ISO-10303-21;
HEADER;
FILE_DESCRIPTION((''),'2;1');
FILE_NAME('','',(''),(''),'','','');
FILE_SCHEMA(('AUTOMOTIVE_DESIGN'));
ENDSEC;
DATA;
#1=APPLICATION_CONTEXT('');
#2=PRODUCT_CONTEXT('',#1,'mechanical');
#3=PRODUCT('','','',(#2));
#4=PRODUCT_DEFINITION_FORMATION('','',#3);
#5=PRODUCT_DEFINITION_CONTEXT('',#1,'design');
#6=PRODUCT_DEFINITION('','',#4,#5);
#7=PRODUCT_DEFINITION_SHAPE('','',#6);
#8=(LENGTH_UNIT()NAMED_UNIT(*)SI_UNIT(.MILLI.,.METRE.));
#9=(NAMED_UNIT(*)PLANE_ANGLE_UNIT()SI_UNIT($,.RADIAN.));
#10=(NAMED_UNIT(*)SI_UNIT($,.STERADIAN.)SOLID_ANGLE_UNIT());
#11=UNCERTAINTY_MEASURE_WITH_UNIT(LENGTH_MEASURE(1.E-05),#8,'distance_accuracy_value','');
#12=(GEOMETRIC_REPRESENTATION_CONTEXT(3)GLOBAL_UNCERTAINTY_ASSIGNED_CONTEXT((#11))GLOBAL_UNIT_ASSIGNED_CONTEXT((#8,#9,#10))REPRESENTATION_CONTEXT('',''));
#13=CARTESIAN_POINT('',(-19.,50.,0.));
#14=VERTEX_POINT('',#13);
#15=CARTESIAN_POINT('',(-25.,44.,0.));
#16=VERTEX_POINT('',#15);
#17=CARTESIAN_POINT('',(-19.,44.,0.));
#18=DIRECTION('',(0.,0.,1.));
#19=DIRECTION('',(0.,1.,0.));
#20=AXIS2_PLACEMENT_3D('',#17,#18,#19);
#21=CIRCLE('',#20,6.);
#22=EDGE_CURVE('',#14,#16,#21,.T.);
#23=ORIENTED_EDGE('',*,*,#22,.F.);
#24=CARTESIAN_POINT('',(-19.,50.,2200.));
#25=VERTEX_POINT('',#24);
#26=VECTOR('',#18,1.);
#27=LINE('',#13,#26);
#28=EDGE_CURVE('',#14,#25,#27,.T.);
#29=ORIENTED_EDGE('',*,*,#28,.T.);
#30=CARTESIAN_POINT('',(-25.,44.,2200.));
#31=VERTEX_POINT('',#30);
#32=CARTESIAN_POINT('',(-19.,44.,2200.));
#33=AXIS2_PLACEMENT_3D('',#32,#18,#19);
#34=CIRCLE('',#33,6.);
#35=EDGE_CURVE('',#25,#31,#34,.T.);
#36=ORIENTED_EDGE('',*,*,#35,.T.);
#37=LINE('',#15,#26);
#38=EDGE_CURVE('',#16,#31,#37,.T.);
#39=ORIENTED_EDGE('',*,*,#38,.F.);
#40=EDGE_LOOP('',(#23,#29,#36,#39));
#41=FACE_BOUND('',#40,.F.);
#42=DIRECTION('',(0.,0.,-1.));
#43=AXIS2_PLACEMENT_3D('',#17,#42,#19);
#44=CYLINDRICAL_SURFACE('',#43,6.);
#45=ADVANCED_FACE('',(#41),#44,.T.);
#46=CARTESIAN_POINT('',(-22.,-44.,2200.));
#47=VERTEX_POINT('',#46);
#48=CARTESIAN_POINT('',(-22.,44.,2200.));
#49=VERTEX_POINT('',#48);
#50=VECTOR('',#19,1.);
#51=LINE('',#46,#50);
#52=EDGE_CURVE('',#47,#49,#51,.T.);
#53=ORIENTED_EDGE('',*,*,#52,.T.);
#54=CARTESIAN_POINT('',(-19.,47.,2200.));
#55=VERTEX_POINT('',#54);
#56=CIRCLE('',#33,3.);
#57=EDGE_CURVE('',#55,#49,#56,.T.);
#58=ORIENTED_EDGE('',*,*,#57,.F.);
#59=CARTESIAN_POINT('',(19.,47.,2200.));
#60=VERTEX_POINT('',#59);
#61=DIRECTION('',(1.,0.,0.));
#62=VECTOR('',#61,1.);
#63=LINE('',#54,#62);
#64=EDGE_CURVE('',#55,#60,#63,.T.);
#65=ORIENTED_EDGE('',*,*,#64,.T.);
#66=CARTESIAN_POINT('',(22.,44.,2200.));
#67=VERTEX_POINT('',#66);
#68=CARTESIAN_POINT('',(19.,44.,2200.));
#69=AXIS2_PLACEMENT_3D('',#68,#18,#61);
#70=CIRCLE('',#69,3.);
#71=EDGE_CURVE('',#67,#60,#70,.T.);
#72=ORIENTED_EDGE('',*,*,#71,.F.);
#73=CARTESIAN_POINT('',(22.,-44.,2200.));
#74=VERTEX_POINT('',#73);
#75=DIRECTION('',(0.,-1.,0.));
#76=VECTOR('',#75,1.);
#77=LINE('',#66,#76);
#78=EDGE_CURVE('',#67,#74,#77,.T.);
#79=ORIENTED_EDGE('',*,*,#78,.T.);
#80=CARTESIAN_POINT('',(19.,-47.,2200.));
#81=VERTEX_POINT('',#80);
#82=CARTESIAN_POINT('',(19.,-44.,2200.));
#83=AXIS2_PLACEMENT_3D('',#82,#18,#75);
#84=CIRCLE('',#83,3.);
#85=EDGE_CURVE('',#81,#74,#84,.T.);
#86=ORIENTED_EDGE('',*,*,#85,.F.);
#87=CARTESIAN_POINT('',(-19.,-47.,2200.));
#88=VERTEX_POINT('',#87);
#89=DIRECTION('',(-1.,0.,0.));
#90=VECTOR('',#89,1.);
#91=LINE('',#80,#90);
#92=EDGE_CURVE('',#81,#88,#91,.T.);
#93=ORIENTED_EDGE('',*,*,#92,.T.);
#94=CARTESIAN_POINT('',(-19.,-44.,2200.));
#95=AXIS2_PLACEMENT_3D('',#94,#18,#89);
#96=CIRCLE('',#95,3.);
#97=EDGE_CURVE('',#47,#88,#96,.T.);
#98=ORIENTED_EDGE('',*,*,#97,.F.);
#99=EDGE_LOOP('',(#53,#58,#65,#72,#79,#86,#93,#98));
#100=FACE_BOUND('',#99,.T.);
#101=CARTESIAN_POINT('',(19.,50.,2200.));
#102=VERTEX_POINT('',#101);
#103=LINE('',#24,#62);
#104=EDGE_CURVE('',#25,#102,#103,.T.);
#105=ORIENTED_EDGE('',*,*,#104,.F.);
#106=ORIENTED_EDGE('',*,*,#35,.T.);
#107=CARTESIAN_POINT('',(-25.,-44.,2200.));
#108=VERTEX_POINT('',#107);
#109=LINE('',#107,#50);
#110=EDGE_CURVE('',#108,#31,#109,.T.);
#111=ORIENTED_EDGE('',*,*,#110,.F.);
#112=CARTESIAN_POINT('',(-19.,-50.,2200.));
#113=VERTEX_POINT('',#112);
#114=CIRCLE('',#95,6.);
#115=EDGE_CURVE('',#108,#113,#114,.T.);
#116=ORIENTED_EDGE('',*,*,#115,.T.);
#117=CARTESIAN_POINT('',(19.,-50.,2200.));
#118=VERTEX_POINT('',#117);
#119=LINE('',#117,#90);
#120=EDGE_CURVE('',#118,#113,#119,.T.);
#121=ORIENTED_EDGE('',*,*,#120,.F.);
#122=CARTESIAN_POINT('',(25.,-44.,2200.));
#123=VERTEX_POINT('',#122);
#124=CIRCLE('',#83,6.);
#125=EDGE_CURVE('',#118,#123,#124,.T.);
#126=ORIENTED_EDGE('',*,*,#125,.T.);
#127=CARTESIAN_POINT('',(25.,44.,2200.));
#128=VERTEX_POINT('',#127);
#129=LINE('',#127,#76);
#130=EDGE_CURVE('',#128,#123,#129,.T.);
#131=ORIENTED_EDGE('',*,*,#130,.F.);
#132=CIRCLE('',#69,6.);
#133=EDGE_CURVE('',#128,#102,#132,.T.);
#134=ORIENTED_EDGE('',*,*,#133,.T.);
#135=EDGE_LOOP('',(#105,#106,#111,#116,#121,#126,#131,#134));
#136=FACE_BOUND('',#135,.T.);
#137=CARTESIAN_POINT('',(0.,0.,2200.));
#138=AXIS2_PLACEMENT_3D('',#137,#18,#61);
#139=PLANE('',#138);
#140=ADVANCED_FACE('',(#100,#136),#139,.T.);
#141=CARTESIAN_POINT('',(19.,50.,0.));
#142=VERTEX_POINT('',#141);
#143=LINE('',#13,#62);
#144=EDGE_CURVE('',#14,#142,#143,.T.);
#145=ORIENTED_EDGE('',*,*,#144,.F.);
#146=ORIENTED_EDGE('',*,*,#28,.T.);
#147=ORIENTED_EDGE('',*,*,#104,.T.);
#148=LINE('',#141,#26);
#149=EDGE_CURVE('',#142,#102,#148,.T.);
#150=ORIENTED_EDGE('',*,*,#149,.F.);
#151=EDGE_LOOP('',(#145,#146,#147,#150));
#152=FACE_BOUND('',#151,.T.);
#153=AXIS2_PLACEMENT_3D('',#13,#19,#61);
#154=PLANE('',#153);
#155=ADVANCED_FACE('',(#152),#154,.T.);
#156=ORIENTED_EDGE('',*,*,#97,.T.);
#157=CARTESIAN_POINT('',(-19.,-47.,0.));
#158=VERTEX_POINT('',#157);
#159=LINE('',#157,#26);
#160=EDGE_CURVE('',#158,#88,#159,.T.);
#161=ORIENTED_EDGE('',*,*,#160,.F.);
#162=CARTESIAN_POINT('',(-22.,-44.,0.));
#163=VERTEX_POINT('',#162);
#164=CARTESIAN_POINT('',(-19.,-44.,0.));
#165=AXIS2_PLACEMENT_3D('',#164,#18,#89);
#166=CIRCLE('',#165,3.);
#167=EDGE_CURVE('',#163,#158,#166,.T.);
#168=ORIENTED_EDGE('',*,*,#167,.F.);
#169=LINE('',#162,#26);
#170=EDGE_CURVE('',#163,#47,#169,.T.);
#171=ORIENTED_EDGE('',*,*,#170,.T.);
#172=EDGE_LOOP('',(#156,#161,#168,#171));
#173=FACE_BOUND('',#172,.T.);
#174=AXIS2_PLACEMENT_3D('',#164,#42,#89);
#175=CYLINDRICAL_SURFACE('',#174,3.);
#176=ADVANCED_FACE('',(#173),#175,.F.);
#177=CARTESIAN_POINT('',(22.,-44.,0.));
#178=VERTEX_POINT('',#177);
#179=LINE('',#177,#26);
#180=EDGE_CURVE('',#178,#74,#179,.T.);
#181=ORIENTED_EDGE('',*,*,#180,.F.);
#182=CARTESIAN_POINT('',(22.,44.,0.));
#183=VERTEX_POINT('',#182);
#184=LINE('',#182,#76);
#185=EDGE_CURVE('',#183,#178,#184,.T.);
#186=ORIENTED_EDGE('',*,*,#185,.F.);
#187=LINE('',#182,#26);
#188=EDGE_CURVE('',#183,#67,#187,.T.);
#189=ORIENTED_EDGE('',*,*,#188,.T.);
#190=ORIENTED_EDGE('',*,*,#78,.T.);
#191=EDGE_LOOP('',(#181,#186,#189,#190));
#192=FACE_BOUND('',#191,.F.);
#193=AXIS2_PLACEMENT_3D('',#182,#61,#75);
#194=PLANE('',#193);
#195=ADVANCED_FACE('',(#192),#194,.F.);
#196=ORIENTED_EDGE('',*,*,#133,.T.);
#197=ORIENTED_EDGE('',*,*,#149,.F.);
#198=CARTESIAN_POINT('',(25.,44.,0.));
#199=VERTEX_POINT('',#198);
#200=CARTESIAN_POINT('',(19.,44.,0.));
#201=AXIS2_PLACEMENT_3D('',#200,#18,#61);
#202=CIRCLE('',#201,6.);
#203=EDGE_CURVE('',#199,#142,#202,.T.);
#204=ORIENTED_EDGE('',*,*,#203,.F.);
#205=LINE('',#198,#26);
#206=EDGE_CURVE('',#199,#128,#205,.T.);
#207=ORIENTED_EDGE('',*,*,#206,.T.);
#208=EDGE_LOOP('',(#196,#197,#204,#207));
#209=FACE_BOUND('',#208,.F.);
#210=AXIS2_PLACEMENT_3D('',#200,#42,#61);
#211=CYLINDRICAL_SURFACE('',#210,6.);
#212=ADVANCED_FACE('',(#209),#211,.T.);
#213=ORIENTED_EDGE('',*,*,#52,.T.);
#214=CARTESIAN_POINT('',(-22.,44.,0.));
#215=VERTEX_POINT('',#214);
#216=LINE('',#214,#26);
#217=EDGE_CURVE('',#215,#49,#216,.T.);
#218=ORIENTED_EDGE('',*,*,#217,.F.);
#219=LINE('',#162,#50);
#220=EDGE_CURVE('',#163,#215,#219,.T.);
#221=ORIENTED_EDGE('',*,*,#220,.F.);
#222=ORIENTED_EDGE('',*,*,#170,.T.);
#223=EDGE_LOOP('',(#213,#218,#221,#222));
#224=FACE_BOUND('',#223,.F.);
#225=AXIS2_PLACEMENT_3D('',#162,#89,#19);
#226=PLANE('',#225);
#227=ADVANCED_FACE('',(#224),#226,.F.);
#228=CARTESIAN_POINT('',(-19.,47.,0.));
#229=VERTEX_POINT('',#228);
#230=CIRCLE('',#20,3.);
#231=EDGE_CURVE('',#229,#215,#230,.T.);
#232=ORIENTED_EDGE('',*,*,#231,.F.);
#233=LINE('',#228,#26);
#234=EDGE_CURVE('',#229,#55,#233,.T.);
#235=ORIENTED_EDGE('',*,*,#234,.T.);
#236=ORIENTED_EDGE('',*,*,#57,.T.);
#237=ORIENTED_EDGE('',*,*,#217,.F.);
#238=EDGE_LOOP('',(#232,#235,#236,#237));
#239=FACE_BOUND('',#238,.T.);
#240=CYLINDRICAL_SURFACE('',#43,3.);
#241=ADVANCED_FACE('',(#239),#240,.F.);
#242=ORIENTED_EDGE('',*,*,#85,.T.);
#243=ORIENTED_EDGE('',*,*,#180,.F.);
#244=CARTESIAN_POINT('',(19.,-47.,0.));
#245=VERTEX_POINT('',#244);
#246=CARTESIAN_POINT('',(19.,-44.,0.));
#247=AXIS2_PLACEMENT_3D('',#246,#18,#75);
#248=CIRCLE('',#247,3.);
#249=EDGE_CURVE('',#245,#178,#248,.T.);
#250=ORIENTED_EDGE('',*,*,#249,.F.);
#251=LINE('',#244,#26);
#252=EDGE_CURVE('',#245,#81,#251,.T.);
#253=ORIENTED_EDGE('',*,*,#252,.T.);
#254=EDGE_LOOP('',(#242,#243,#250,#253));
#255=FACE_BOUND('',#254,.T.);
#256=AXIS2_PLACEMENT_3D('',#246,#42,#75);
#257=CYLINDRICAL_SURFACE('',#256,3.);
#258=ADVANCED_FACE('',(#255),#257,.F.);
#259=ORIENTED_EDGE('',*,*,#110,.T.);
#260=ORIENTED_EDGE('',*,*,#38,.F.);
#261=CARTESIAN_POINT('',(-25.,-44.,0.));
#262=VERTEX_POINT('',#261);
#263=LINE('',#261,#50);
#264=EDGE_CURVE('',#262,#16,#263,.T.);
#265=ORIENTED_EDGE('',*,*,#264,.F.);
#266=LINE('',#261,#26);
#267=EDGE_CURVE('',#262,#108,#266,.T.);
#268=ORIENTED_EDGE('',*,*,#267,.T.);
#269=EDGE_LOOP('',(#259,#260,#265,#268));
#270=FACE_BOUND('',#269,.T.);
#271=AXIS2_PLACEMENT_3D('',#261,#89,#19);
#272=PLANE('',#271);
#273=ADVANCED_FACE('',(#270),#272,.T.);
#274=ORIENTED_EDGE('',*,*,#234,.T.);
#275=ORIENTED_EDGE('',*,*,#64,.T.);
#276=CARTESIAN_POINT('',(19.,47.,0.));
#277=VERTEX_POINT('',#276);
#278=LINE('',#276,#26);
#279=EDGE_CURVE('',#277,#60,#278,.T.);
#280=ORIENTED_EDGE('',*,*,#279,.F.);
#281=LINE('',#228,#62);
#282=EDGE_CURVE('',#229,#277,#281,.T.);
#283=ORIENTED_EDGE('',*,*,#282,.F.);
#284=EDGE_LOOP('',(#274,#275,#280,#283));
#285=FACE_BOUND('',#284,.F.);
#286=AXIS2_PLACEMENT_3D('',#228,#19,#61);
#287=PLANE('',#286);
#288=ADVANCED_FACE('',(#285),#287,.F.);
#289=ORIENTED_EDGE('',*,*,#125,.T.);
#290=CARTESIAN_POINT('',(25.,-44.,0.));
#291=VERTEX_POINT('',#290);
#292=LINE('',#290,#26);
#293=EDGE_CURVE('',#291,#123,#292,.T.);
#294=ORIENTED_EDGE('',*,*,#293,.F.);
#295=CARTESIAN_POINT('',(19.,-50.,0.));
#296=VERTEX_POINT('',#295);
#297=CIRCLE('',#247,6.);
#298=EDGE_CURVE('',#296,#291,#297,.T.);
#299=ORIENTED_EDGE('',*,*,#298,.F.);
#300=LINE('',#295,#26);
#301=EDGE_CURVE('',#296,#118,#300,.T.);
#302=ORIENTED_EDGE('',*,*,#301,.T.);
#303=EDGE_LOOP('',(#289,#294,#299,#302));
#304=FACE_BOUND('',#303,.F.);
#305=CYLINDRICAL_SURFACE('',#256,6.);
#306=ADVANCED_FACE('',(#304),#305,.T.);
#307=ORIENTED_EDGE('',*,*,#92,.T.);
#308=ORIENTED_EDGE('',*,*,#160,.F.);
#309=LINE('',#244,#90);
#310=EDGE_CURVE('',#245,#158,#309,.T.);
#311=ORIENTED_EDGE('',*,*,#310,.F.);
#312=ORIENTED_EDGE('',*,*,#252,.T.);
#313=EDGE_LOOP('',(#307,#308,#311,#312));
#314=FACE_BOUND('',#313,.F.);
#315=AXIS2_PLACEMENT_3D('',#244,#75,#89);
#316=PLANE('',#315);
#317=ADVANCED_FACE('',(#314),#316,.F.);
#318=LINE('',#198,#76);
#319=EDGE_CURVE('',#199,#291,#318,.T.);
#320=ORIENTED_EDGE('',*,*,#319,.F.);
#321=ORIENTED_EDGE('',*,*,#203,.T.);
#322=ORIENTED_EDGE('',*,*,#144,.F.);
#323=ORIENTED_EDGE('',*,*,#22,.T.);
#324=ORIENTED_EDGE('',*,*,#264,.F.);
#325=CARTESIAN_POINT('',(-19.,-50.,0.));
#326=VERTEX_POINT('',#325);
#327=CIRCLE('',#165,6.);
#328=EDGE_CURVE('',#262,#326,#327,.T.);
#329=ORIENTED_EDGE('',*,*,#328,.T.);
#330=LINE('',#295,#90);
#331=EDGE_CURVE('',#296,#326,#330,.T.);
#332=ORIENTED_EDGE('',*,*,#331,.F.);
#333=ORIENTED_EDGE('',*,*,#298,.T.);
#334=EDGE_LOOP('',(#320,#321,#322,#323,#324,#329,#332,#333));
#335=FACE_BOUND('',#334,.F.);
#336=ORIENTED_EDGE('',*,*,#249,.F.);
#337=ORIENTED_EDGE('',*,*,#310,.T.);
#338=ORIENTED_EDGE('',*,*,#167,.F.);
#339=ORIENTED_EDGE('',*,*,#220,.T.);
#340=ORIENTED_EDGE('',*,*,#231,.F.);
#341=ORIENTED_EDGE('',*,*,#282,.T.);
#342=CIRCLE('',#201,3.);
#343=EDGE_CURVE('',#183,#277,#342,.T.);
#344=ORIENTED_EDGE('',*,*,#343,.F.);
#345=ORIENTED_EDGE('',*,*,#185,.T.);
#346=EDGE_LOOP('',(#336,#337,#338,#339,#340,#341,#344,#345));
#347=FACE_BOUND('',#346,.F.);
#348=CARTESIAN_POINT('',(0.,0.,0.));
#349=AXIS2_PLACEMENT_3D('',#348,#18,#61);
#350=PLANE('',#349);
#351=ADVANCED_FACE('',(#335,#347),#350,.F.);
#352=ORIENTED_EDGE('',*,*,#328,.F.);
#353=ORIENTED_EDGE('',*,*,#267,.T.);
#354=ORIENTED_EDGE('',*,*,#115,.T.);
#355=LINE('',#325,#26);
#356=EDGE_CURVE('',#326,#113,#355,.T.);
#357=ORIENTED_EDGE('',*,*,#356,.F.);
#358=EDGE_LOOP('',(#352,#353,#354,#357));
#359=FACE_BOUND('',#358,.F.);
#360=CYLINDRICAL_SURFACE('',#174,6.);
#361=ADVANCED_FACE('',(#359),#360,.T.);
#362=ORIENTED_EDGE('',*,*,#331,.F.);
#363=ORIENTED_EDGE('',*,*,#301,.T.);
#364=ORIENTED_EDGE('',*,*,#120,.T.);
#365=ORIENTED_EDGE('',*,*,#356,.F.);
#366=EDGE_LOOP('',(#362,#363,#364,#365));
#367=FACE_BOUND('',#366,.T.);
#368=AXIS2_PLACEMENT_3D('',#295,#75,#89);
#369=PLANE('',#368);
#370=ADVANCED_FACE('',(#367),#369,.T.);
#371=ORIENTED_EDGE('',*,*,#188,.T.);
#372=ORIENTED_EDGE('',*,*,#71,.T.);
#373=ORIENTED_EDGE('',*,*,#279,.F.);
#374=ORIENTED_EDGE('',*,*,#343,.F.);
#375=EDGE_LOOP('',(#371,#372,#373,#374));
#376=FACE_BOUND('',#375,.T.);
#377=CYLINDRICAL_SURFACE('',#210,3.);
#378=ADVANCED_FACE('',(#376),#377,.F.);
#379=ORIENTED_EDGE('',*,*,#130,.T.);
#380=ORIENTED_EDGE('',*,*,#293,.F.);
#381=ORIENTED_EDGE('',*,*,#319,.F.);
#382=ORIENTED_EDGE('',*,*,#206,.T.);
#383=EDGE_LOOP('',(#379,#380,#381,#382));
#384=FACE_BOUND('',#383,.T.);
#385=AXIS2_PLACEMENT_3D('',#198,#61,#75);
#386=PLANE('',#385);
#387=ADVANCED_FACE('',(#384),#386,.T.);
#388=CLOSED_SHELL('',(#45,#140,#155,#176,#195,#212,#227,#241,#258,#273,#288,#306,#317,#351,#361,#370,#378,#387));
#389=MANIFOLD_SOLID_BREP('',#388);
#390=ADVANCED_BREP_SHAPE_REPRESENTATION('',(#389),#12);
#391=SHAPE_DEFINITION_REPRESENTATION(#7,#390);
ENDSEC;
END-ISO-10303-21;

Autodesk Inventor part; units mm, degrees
ref_plane "YZ Plane" through (0, 0, 0) normal (1, 0, 0) x (0, 1, 0)
ref_plane "Start plane" through (0, 0, 0) normal (0, 0, 1) x (1, 0, 0)
ref_plane "End plane" through (0, 0, 2200) normal (0, 0, 1) x (1, 0, 0)
sketch "Sketch" plane through (0, 0, 0) normal (0, 0, 1) x (1, 0, 0)
  line L0 (-25, -44) -> (-25, 44)
  line L1 (-19, 50) -> (19, 50)
  line L2 (25, 44) -> (25, -44)
  line L3 (19, -50) -> (-19, -50)
  arc A0 (-25, -44) -> (-19, -50) centre (-19, -44) ccw
  arc A1 (25, 44) -> (19, 50) centre (19, 44) ccw
  arc A2 (-19, 50) -> (-25, 44) centre (-19, 44) ccw
  arc A3 (19, -50) -> (25, -44) centre (19, -44) ccw
  arc A4 (-19, 47) -> (-22, 44) centre (-19, 44) ccw
  line L4 (-19, 47) -> (19, 47)
  arc A5 (22, 44) -> (19, 47) centre (19, 44) ccw
  line L5 (22, 44) -> (22, -44)
  arc A6 (19, -47) -> (22, -44) centre (19, -44) ccw
  line L6 (19, -47) -> (-19, -47)
  arc A7 (-22, -44) -> (-19, -47) centre (-19, -44) ccw
  line L7 (-22, -44) -> (-22, 44)
  line L8 (0, 71.7397) -> (0, -71.7397) construction
  line L9 (-36.7397, 0) -> (36.7397, 0) construction
  dimension "d7" = 6
  dimension "d9" = 50
  dimension "d11" = 100
  dimension "d12" = 3
  dimension "d15" = 25
  dimension "d16" = 50
extrude "Body" add sketch "Sketch" along normal up to surface (2200 mm away) from surface at 0
sketch "Sketch3" plane through (0, 0, 0) normal (0, 0, 1) x (1, 0, 0)
  line L0 (0, 0) -> (10, 0)
ref_plane "Work Plane3" through (0, 0, 0) normal (0, -1, 0) x (1, 0, 0)
sketch "Sketch4" plane through (0, 0, 0) normal (0, -1, 0) x (1, 0, 0)
  line L0 (-2, 0) -> (12, 0) projected
  line L1 (-2, 2200) -> (12, 2200) projected
  dimension "d18" = 2200
equation "\"d7\" = G_IR"
equation "\"d9\" = G_W"
equation "\"d11\" = G_H"
equation "\"d12\" = G_T"
equation "\"d15\" = 0.5 * d9"
equation "\"d16\" = 0.5 * d11"
equation "\"d3\" = G_L"
equation "\"G_W\" = 50"
equation "\"G_H\" = 100"
equation "\"G_T\" = 3"
equation "\"G_IR\" = 6"
equation "\"G_L\" = d18"
equation "\"G_OFFSET_START\" = 0"
equation "\"G_OFFSET_END\" = 0"
properties part number "BSH 077 tube" material "09g2s"
